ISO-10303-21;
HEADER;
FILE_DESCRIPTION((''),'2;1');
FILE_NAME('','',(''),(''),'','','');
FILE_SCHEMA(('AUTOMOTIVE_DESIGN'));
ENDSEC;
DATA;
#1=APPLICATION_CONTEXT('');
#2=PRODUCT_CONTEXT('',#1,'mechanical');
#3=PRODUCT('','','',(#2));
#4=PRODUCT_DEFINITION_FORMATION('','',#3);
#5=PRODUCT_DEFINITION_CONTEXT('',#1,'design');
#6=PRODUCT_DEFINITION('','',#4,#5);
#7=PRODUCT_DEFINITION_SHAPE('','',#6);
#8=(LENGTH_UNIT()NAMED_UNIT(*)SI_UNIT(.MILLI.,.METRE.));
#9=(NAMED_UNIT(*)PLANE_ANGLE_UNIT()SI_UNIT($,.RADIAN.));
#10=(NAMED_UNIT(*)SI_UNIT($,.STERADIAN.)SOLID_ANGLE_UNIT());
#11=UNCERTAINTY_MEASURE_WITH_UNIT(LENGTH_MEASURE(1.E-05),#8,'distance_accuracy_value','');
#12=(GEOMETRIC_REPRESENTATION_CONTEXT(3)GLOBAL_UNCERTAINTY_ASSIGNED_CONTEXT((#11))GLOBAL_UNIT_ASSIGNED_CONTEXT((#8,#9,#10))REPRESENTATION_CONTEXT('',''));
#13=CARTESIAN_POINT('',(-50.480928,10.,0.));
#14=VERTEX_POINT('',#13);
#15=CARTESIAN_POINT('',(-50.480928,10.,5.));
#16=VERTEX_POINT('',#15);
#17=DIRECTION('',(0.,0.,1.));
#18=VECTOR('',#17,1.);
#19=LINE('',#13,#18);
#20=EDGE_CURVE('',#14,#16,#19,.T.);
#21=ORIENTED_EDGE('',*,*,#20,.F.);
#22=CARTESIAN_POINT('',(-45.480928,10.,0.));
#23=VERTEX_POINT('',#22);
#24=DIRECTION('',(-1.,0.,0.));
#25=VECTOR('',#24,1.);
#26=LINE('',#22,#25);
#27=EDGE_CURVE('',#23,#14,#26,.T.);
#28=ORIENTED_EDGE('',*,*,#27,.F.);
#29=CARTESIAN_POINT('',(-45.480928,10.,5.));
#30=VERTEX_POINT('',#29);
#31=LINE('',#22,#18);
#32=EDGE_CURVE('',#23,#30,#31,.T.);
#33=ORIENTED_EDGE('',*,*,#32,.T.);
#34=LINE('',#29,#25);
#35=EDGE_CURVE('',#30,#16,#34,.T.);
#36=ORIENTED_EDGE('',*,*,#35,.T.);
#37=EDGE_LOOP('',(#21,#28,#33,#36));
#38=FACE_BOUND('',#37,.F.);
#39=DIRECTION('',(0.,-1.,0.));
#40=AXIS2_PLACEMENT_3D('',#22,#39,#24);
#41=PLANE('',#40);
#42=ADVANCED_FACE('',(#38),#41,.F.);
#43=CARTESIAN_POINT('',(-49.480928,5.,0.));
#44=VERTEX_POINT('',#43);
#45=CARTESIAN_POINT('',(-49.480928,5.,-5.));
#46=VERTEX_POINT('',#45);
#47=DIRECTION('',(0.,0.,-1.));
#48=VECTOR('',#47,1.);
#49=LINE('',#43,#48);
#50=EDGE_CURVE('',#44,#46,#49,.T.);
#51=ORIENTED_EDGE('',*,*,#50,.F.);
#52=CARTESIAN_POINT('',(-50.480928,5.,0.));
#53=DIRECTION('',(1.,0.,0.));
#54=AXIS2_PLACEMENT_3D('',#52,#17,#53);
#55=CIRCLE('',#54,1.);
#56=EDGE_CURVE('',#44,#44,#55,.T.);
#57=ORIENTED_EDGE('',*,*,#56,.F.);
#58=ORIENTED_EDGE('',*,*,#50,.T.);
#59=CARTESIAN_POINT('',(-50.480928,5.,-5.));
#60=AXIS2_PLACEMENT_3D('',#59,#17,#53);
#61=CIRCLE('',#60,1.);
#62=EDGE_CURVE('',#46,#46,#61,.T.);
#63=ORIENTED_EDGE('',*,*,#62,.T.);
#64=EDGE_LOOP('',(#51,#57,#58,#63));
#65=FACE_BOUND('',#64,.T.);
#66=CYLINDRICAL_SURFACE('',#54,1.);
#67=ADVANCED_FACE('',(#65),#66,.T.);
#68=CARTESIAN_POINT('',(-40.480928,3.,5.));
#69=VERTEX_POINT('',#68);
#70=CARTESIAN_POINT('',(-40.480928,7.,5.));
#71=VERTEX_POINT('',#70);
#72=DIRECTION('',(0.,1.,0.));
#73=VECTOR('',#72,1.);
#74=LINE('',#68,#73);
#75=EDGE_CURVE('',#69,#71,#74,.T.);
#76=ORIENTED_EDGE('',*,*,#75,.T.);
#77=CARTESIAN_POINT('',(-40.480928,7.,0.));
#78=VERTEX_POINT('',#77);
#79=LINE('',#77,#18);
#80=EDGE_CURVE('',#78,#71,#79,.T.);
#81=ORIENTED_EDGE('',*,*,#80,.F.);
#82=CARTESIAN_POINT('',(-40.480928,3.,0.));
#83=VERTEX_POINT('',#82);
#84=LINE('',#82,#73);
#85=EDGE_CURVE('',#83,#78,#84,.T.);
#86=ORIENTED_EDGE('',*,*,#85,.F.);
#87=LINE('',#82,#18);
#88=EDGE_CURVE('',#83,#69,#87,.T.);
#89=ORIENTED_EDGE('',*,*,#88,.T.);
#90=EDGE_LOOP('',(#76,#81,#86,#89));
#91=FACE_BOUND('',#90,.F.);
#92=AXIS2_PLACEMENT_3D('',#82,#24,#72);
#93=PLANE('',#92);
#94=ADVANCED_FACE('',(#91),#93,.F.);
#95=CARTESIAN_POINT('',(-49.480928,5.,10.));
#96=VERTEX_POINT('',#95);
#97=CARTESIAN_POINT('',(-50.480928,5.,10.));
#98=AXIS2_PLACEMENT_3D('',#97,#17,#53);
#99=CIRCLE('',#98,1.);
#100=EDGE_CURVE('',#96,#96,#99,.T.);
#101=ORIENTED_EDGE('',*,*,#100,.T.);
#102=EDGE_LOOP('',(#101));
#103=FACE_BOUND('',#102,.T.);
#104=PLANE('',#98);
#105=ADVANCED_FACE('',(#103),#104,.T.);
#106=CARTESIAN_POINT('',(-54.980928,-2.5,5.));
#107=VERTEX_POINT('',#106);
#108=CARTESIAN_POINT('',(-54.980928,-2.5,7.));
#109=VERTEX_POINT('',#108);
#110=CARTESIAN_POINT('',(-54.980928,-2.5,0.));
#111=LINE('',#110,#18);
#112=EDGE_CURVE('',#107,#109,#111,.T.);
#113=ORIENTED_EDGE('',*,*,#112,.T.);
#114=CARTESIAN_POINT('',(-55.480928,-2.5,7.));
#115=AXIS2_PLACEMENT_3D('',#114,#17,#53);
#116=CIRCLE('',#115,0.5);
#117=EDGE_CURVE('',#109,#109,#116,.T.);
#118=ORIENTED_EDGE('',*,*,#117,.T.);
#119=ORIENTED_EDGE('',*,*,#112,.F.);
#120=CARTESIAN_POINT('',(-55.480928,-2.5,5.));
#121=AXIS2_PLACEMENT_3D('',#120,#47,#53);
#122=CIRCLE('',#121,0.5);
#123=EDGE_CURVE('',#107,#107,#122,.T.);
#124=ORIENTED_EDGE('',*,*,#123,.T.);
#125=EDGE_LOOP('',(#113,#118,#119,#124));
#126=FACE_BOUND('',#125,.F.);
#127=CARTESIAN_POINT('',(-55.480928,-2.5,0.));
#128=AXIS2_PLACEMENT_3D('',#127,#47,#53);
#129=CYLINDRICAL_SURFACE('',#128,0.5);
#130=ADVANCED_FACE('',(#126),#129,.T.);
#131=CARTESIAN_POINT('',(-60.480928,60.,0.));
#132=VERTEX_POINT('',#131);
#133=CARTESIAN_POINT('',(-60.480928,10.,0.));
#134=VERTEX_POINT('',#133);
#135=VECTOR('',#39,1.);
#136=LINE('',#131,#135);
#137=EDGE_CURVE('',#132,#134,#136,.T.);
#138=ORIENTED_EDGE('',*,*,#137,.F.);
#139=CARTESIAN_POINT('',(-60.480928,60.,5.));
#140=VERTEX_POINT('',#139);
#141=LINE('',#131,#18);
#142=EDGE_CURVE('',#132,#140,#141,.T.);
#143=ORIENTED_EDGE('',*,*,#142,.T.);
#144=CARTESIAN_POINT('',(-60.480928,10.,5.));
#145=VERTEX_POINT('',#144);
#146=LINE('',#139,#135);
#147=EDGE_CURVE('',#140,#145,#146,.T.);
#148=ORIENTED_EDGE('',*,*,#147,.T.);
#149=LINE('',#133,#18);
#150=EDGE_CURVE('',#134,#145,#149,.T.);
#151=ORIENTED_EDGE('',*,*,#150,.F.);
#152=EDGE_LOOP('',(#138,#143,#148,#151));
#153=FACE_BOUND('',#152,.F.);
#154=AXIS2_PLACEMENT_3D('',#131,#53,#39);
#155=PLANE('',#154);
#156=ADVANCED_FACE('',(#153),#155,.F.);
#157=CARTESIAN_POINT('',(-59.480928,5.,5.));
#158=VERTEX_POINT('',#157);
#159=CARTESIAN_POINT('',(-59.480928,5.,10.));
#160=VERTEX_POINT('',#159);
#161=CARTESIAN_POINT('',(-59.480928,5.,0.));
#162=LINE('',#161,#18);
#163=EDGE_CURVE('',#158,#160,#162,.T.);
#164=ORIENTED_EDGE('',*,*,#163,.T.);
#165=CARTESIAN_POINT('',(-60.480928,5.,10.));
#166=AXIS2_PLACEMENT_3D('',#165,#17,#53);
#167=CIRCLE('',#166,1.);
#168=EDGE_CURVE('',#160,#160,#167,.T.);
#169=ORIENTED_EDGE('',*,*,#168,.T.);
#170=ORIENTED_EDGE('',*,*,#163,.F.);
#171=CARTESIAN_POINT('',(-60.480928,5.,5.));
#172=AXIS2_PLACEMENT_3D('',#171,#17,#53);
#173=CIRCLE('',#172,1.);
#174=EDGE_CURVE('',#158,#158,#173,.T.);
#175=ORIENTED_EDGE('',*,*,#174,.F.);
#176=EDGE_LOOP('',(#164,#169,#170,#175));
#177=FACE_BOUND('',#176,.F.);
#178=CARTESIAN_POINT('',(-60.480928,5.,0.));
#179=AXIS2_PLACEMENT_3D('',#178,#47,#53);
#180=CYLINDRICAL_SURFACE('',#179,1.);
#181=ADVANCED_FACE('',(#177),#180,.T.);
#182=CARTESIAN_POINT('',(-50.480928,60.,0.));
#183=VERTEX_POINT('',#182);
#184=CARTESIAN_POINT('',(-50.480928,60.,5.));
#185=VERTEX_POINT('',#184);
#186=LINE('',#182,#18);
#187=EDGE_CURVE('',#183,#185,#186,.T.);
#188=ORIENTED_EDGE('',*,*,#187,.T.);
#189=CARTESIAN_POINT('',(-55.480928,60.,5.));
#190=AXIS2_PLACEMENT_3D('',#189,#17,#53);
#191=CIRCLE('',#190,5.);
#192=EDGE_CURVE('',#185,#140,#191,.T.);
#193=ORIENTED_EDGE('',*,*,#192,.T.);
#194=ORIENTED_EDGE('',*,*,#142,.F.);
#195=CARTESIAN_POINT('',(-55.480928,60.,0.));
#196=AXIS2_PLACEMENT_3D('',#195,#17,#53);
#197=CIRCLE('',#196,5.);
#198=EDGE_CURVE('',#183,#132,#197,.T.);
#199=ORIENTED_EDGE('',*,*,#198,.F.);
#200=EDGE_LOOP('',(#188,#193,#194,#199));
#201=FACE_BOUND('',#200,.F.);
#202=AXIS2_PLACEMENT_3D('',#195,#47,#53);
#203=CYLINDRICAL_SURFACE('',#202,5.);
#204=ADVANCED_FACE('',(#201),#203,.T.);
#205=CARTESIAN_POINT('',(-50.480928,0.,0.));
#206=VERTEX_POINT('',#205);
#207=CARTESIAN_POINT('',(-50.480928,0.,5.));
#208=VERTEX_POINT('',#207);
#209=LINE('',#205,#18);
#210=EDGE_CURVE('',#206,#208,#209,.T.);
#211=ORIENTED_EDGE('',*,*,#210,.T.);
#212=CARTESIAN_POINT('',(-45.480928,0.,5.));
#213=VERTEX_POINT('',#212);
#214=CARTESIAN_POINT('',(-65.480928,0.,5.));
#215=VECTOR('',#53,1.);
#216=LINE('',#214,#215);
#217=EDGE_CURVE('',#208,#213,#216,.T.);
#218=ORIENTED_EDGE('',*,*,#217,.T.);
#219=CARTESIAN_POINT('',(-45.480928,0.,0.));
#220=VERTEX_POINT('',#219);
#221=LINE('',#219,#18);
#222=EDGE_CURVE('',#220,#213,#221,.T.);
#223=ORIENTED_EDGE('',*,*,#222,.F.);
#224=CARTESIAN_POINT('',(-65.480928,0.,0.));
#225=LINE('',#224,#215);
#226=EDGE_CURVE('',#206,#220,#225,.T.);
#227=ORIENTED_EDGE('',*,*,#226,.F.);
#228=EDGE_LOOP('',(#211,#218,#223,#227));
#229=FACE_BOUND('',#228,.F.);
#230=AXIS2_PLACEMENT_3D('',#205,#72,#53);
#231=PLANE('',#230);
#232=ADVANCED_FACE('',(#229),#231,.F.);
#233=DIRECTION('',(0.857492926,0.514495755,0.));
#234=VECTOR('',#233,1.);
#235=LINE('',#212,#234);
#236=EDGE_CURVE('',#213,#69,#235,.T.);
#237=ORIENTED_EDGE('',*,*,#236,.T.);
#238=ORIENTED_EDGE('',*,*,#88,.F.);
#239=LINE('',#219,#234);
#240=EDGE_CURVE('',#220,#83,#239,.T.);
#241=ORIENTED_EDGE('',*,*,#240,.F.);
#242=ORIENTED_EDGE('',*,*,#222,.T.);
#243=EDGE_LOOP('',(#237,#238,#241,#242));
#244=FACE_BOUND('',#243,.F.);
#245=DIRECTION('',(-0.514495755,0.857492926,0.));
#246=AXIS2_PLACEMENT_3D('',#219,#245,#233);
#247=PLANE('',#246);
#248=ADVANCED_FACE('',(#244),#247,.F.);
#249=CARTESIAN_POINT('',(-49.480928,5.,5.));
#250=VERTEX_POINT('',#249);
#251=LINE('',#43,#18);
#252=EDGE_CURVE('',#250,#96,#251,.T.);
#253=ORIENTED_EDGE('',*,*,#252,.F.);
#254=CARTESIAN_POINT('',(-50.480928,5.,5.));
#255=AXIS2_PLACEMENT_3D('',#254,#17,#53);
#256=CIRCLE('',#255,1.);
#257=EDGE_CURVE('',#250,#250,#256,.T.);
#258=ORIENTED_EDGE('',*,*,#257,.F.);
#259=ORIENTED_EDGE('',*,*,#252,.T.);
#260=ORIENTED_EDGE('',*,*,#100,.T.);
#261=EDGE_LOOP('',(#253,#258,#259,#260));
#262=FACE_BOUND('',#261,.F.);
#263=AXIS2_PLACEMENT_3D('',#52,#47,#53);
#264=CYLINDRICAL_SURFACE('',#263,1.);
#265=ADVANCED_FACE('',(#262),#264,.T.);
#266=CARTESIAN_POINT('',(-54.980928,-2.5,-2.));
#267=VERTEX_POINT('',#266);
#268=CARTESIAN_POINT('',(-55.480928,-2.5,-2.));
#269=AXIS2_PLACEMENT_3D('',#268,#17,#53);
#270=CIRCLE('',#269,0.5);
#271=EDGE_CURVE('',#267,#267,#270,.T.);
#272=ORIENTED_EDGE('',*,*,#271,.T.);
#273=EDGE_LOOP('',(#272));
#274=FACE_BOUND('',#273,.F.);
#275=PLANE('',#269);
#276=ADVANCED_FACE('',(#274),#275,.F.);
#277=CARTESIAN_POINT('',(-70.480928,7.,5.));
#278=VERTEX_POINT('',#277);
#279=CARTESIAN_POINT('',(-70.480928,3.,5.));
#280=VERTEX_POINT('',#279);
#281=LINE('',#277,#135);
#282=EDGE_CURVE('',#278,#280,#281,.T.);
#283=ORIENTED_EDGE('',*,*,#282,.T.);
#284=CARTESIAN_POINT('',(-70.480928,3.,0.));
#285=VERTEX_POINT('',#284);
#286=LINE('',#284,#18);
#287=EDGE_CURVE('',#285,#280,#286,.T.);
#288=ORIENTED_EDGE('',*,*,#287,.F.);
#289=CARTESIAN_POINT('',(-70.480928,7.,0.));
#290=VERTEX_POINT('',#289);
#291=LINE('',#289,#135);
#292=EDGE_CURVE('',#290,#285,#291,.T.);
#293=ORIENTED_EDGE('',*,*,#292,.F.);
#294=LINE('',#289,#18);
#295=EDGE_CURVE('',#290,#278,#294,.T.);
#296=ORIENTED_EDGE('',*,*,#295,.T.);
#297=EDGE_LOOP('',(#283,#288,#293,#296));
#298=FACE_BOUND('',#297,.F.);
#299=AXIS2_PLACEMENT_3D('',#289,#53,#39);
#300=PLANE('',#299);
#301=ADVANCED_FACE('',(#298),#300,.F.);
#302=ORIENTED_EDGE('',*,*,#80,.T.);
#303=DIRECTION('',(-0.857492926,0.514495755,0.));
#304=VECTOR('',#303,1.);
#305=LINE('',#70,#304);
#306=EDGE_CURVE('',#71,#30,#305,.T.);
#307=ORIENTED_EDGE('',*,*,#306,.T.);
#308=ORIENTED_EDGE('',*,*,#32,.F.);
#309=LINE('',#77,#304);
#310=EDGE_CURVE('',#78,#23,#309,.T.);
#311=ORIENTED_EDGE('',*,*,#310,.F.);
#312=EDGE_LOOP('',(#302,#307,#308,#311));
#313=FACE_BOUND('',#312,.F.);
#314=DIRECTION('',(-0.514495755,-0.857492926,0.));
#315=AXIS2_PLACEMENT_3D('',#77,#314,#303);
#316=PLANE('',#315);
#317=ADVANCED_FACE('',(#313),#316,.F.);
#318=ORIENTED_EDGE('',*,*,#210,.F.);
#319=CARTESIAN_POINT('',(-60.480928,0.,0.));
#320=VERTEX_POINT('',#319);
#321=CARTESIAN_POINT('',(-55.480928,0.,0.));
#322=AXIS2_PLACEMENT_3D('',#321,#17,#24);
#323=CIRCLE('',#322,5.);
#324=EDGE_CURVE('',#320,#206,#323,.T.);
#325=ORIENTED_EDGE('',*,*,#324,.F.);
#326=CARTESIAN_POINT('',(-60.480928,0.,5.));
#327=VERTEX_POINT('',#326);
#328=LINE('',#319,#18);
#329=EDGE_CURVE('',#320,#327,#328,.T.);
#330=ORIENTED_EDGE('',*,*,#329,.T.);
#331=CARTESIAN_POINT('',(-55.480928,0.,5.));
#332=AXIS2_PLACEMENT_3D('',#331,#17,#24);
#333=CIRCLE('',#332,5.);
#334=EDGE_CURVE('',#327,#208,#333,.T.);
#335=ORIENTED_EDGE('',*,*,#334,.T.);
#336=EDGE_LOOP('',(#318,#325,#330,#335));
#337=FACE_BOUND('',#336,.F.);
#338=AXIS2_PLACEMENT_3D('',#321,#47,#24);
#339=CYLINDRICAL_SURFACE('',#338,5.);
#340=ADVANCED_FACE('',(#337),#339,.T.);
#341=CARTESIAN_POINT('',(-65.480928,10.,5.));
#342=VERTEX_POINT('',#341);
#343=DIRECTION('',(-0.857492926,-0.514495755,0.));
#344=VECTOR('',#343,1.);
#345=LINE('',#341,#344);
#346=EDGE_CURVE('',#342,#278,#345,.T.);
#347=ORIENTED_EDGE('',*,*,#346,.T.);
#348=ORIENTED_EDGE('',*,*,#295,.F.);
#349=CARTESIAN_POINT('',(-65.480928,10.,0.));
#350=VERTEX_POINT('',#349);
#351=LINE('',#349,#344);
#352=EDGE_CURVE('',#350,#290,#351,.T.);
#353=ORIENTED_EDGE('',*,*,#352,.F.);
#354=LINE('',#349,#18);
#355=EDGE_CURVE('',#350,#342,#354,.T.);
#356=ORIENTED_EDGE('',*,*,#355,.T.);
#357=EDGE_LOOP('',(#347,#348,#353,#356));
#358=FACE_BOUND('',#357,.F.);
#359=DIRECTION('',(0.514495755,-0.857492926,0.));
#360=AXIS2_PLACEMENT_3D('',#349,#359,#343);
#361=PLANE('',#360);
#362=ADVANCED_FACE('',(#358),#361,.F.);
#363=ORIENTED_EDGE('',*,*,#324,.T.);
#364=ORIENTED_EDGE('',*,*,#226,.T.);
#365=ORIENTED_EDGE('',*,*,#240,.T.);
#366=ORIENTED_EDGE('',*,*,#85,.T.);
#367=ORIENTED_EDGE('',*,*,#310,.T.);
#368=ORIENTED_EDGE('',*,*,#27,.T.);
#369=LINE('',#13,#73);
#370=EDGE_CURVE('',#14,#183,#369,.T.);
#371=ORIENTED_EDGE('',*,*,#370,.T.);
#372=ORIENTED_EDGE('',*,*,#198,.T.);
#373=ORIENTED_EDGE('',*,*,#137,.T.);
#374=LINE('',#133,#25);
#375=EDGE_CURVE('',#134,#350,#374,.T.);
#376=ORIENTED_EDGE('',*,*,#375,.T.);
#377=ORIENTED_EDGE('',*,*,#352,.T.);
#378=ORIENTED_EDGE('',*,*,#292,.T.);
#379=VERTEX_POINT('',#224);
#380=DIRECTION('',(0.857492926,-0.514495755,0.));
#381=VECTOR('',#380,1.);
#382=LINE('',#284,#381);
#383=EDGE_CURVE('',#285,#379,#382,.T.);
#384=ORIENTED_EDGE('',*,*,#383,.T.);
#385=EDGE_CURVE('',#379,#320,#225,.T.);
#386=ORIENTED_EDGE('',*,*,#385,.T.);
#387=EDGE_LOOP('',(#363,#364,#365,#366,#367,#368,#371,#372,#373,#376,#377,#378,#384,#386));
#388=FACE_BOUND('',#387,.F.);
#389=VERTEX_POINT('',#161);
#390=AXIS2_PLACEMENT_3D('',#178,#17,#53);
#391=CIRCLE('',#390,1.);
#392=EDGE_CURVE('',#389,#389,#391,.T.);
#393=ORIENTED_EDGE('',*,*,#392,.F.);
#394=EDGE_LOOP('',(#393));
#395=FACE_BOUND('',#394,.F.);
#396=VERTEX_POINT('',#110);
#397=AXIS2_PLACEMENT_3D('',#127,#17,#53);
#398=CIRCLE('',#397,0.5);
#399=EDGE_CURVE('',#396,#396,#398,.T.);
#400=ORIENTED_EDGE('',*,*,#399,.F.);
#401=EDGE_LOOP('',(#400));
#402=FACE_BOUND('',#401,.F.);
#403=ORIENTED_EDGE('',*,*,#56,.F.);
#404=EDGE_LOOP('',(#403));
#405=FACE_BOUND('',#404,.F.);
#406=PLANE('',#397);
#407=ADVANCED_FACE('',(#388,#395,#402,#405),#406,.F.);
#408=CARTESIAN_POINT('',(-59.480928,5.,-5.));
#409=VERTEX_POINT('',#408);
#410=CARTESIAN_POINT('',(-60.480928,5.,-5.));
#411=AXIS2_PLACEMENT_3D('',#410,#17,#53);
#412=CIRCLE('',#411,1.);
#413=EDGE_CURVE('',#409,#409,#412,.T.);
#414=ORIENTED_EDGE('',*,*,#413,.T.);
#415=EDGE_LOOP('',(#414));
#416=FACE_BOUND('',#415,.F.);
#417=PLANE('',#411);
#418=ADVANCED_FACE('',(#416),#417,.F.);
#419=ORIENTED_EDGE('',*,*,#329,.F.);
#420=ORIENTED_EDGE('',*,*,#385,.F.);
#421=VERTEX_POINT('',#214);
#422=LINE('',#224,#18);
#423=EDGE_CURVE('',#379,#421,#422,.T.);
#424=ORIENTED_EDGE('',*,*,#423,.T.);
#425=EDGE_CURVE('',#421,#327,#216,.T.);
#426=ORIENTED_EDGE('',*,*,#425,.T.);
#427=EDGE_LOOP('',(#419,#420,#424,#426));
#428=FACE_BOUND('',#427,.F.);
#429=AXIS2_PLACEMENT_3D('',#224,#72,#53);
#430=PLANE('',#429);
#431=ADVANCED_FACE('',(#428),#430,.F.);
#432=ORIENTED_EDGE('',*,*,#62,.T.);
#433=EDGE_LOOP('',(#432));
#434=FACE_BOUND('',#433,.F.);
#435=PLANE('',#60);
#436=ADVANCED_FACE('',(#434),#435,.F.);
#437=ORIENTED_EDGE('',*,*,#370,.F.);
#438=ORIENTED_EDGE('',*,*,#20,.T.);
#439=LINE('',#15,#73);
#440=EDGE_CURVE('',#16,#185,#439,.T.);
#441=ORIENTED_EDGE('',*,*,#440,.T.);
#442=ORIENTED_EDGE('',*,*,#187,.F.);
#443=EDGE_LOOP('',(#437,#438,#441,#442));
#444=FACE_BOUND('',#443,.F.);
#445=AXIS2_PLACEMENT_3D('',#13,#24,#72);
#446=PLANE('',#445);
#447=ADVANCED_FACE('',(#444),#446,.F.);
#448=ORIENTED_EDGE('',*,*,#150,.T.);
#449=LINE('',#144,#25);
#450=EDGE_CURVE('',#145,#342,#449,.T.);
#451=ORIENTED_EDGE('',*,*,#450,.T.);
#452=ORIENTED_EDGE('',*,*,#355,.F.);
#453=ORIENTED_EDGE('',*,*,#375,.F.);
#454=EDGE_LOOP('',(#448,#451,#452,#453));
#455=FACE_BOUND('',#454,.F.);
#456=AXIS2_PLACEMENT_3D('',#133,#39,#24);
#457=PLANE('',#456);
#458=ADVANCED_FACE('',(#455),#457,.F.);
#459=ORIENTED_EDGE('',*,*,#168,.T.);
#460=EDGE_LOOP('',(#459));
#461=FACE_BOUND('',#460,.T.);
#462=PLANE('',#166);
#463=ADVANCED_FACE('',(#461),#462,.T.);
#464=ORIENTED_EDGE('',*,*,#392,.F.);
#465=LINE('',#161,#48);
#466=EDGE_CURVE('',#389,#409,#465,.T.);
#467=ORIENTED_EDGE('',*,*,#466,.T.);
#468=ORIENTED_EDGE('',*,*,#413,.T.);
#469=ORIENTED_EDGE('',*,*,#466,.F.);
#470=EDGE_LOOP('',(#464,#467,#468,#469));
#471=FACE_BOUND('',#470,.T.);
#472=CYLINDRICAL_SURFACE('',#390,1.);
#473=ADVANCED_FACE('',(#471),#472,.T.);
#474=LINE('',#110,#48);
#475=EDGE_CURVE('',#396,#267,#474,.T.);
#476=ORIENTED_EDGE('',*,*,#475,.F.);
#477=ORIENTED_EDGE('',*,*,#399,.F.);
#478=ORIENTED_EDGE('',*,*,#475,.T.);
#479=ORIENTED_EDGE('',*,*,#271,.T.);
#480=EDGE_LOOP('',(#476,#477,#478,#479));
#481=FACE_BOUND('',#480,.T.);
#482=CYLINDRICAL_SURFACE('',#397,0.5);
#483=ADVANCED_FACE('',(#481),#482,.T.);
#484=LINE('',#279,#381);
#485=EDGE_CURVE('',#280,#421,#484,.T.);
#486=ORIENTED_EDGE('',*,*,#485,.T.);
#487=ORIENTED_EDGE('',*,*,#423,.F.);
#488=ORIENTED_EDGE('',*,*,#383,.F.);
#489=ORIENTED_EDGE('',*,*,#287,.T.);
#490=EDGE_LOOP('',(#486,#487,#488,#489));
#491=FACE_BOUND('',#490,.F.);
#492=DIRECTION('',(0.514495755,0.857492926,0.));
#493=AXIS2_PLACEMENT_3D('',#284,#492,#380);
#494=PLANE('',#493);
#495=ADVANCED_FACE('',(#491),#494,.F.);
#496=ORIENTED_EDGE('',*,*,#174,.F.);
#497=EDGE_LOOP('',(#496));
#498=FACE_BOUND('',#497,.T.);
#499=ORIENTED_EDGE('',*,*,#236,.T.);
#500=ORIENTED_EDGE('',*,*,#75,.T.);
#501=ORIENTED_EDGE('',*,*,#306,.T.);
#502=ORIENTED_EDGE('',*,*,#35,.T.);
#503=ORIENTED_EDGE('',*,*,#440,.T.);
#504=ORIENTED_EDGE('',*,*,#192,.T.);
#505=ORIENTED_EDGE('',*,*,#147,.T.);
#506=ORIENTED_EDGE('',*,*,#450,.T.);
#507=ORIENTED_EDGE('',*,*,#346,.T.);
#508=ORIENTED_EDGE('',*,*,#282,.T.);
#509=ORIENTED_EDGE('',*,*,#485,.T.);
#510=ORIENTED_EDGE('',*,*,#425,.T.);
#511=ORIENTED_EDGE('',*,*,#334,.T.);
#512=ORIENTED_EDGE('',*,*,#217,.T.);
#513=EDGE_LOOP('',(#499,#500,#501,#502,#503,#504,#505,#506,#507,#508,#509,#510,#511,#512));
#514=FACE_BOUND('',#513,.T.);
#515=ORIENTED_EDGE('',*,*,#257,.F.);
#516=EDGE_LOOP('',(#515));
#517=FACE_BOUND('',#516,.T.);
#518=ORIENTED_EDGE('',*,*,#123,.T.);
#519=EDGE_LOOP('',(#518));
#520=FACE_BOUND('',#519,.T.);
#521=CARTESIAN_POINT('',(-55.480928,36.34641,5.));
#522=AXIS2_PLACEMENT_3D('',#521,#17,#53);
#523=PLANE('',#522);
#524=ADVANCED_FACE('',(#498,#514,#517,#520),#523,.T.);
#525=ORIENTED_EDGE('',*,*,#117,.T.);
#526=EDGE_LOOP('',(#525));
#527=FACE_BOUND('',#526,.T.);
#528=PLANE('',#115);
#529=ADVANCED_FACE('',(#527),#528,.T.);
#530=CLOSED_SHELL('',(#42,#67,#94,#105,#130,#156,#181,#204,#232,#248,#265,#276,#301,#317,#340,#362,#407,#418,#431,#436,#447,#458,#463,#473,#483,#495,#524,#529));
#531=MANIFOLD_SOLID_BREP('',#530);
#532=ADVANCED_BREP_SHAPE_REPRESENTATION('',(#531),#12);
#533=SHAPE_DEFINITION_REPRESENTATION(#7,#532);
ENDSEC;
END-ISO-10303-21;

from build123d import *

# Parameters (mm, degrees)
F0_R     = 1
F0_R_2   = 0.5
F1_DEPTH = 5
F2_DEPTH = 7
F3_DEPTH = 2
F4_DEPTH = 10
F5_DEPTH = 5


with BuildPart() as f1:
    # F0 (on Top) → F1 (new body)
    with BuildSketch(Plane.XY):
        with BuildLine():
            Line((-60.480928, 60), (-60.480928, 10))
            Line((-60.480928, 10), (-50.480928, 10))
            Line((-50.480928, 10), (-50.480928, 60))
            ThreePointArc((-50.480928, 60), (-55.480928, 65), (-60.480928, 60))
        make_face()
        Polygon((-50.480928, 10), (-60.480928, 10), (-65.480928, 10), (-70.480928, 7), (-70.480928, 3), (-65.480928, 0), (-60.480928, 0), (-50.480928, 0), (-45.480928, 0), (-40.480928, 3), (-40.480928, 7), (-45.480928, 10), align=None)
        with Locations((-60.480928, 5)):
            Circle(F0_R, mode=Mode.SUBTRACT)
        with Locations((-50.480928, 5)):
            Circle(F0_R, mode=Mode.SUBTRACT)
        with BuildLine():
            Line((-50.480928, 0), (-60.480928, 0))
            ThreePointArc((-60.480928, 0), (-55.480928, -5), (-50.480928, 0))
        make_face()
        with Locations((-55.480928, -2.5)):
            Circle(F0_R_2, mode=Mode.SUBTRACT)
        with Locations((-55.480928, -2.5)):
            Circle(F0_R_2)
    extrude(amount=F1_DEPTH)

    # F0 (on Top) → F2 (join)
    with BuildSketch(Plane.XY):
        with Locations((-55.480928, -2.5)):
            Circle(F0_R_2)
    extrude(amount=F2_DEPTH)

    # F0 (on Top) → F3 (join)
    with BuildSketch(Plane.XY):
        with Locations((-55.480928, -2.5)):
            Circle(F0_R_2)
    extrude(amount=-F3_DEPTH)

    # F0 (on Top) → F4 (join)
    with BuildSketch(Plane.XY):
        with Locations((-60.480928, 5)):
            Circle(F0_R)
        with Locations((-50.480928, 5)):
            Circle(F0_R)
    extrude(amount=F4_DEPTH)

    # F0 (on Top) → F5 (join)
    with BuildSketch(Plane.XY):
        with Locations((-50.480928, 5)):
            Circle(F0_R)
        with Locations((-60.480928, 5)):
            Circle(F0_R)
    extrude(amount=-F5_DEPTH)


solid = f1.part
